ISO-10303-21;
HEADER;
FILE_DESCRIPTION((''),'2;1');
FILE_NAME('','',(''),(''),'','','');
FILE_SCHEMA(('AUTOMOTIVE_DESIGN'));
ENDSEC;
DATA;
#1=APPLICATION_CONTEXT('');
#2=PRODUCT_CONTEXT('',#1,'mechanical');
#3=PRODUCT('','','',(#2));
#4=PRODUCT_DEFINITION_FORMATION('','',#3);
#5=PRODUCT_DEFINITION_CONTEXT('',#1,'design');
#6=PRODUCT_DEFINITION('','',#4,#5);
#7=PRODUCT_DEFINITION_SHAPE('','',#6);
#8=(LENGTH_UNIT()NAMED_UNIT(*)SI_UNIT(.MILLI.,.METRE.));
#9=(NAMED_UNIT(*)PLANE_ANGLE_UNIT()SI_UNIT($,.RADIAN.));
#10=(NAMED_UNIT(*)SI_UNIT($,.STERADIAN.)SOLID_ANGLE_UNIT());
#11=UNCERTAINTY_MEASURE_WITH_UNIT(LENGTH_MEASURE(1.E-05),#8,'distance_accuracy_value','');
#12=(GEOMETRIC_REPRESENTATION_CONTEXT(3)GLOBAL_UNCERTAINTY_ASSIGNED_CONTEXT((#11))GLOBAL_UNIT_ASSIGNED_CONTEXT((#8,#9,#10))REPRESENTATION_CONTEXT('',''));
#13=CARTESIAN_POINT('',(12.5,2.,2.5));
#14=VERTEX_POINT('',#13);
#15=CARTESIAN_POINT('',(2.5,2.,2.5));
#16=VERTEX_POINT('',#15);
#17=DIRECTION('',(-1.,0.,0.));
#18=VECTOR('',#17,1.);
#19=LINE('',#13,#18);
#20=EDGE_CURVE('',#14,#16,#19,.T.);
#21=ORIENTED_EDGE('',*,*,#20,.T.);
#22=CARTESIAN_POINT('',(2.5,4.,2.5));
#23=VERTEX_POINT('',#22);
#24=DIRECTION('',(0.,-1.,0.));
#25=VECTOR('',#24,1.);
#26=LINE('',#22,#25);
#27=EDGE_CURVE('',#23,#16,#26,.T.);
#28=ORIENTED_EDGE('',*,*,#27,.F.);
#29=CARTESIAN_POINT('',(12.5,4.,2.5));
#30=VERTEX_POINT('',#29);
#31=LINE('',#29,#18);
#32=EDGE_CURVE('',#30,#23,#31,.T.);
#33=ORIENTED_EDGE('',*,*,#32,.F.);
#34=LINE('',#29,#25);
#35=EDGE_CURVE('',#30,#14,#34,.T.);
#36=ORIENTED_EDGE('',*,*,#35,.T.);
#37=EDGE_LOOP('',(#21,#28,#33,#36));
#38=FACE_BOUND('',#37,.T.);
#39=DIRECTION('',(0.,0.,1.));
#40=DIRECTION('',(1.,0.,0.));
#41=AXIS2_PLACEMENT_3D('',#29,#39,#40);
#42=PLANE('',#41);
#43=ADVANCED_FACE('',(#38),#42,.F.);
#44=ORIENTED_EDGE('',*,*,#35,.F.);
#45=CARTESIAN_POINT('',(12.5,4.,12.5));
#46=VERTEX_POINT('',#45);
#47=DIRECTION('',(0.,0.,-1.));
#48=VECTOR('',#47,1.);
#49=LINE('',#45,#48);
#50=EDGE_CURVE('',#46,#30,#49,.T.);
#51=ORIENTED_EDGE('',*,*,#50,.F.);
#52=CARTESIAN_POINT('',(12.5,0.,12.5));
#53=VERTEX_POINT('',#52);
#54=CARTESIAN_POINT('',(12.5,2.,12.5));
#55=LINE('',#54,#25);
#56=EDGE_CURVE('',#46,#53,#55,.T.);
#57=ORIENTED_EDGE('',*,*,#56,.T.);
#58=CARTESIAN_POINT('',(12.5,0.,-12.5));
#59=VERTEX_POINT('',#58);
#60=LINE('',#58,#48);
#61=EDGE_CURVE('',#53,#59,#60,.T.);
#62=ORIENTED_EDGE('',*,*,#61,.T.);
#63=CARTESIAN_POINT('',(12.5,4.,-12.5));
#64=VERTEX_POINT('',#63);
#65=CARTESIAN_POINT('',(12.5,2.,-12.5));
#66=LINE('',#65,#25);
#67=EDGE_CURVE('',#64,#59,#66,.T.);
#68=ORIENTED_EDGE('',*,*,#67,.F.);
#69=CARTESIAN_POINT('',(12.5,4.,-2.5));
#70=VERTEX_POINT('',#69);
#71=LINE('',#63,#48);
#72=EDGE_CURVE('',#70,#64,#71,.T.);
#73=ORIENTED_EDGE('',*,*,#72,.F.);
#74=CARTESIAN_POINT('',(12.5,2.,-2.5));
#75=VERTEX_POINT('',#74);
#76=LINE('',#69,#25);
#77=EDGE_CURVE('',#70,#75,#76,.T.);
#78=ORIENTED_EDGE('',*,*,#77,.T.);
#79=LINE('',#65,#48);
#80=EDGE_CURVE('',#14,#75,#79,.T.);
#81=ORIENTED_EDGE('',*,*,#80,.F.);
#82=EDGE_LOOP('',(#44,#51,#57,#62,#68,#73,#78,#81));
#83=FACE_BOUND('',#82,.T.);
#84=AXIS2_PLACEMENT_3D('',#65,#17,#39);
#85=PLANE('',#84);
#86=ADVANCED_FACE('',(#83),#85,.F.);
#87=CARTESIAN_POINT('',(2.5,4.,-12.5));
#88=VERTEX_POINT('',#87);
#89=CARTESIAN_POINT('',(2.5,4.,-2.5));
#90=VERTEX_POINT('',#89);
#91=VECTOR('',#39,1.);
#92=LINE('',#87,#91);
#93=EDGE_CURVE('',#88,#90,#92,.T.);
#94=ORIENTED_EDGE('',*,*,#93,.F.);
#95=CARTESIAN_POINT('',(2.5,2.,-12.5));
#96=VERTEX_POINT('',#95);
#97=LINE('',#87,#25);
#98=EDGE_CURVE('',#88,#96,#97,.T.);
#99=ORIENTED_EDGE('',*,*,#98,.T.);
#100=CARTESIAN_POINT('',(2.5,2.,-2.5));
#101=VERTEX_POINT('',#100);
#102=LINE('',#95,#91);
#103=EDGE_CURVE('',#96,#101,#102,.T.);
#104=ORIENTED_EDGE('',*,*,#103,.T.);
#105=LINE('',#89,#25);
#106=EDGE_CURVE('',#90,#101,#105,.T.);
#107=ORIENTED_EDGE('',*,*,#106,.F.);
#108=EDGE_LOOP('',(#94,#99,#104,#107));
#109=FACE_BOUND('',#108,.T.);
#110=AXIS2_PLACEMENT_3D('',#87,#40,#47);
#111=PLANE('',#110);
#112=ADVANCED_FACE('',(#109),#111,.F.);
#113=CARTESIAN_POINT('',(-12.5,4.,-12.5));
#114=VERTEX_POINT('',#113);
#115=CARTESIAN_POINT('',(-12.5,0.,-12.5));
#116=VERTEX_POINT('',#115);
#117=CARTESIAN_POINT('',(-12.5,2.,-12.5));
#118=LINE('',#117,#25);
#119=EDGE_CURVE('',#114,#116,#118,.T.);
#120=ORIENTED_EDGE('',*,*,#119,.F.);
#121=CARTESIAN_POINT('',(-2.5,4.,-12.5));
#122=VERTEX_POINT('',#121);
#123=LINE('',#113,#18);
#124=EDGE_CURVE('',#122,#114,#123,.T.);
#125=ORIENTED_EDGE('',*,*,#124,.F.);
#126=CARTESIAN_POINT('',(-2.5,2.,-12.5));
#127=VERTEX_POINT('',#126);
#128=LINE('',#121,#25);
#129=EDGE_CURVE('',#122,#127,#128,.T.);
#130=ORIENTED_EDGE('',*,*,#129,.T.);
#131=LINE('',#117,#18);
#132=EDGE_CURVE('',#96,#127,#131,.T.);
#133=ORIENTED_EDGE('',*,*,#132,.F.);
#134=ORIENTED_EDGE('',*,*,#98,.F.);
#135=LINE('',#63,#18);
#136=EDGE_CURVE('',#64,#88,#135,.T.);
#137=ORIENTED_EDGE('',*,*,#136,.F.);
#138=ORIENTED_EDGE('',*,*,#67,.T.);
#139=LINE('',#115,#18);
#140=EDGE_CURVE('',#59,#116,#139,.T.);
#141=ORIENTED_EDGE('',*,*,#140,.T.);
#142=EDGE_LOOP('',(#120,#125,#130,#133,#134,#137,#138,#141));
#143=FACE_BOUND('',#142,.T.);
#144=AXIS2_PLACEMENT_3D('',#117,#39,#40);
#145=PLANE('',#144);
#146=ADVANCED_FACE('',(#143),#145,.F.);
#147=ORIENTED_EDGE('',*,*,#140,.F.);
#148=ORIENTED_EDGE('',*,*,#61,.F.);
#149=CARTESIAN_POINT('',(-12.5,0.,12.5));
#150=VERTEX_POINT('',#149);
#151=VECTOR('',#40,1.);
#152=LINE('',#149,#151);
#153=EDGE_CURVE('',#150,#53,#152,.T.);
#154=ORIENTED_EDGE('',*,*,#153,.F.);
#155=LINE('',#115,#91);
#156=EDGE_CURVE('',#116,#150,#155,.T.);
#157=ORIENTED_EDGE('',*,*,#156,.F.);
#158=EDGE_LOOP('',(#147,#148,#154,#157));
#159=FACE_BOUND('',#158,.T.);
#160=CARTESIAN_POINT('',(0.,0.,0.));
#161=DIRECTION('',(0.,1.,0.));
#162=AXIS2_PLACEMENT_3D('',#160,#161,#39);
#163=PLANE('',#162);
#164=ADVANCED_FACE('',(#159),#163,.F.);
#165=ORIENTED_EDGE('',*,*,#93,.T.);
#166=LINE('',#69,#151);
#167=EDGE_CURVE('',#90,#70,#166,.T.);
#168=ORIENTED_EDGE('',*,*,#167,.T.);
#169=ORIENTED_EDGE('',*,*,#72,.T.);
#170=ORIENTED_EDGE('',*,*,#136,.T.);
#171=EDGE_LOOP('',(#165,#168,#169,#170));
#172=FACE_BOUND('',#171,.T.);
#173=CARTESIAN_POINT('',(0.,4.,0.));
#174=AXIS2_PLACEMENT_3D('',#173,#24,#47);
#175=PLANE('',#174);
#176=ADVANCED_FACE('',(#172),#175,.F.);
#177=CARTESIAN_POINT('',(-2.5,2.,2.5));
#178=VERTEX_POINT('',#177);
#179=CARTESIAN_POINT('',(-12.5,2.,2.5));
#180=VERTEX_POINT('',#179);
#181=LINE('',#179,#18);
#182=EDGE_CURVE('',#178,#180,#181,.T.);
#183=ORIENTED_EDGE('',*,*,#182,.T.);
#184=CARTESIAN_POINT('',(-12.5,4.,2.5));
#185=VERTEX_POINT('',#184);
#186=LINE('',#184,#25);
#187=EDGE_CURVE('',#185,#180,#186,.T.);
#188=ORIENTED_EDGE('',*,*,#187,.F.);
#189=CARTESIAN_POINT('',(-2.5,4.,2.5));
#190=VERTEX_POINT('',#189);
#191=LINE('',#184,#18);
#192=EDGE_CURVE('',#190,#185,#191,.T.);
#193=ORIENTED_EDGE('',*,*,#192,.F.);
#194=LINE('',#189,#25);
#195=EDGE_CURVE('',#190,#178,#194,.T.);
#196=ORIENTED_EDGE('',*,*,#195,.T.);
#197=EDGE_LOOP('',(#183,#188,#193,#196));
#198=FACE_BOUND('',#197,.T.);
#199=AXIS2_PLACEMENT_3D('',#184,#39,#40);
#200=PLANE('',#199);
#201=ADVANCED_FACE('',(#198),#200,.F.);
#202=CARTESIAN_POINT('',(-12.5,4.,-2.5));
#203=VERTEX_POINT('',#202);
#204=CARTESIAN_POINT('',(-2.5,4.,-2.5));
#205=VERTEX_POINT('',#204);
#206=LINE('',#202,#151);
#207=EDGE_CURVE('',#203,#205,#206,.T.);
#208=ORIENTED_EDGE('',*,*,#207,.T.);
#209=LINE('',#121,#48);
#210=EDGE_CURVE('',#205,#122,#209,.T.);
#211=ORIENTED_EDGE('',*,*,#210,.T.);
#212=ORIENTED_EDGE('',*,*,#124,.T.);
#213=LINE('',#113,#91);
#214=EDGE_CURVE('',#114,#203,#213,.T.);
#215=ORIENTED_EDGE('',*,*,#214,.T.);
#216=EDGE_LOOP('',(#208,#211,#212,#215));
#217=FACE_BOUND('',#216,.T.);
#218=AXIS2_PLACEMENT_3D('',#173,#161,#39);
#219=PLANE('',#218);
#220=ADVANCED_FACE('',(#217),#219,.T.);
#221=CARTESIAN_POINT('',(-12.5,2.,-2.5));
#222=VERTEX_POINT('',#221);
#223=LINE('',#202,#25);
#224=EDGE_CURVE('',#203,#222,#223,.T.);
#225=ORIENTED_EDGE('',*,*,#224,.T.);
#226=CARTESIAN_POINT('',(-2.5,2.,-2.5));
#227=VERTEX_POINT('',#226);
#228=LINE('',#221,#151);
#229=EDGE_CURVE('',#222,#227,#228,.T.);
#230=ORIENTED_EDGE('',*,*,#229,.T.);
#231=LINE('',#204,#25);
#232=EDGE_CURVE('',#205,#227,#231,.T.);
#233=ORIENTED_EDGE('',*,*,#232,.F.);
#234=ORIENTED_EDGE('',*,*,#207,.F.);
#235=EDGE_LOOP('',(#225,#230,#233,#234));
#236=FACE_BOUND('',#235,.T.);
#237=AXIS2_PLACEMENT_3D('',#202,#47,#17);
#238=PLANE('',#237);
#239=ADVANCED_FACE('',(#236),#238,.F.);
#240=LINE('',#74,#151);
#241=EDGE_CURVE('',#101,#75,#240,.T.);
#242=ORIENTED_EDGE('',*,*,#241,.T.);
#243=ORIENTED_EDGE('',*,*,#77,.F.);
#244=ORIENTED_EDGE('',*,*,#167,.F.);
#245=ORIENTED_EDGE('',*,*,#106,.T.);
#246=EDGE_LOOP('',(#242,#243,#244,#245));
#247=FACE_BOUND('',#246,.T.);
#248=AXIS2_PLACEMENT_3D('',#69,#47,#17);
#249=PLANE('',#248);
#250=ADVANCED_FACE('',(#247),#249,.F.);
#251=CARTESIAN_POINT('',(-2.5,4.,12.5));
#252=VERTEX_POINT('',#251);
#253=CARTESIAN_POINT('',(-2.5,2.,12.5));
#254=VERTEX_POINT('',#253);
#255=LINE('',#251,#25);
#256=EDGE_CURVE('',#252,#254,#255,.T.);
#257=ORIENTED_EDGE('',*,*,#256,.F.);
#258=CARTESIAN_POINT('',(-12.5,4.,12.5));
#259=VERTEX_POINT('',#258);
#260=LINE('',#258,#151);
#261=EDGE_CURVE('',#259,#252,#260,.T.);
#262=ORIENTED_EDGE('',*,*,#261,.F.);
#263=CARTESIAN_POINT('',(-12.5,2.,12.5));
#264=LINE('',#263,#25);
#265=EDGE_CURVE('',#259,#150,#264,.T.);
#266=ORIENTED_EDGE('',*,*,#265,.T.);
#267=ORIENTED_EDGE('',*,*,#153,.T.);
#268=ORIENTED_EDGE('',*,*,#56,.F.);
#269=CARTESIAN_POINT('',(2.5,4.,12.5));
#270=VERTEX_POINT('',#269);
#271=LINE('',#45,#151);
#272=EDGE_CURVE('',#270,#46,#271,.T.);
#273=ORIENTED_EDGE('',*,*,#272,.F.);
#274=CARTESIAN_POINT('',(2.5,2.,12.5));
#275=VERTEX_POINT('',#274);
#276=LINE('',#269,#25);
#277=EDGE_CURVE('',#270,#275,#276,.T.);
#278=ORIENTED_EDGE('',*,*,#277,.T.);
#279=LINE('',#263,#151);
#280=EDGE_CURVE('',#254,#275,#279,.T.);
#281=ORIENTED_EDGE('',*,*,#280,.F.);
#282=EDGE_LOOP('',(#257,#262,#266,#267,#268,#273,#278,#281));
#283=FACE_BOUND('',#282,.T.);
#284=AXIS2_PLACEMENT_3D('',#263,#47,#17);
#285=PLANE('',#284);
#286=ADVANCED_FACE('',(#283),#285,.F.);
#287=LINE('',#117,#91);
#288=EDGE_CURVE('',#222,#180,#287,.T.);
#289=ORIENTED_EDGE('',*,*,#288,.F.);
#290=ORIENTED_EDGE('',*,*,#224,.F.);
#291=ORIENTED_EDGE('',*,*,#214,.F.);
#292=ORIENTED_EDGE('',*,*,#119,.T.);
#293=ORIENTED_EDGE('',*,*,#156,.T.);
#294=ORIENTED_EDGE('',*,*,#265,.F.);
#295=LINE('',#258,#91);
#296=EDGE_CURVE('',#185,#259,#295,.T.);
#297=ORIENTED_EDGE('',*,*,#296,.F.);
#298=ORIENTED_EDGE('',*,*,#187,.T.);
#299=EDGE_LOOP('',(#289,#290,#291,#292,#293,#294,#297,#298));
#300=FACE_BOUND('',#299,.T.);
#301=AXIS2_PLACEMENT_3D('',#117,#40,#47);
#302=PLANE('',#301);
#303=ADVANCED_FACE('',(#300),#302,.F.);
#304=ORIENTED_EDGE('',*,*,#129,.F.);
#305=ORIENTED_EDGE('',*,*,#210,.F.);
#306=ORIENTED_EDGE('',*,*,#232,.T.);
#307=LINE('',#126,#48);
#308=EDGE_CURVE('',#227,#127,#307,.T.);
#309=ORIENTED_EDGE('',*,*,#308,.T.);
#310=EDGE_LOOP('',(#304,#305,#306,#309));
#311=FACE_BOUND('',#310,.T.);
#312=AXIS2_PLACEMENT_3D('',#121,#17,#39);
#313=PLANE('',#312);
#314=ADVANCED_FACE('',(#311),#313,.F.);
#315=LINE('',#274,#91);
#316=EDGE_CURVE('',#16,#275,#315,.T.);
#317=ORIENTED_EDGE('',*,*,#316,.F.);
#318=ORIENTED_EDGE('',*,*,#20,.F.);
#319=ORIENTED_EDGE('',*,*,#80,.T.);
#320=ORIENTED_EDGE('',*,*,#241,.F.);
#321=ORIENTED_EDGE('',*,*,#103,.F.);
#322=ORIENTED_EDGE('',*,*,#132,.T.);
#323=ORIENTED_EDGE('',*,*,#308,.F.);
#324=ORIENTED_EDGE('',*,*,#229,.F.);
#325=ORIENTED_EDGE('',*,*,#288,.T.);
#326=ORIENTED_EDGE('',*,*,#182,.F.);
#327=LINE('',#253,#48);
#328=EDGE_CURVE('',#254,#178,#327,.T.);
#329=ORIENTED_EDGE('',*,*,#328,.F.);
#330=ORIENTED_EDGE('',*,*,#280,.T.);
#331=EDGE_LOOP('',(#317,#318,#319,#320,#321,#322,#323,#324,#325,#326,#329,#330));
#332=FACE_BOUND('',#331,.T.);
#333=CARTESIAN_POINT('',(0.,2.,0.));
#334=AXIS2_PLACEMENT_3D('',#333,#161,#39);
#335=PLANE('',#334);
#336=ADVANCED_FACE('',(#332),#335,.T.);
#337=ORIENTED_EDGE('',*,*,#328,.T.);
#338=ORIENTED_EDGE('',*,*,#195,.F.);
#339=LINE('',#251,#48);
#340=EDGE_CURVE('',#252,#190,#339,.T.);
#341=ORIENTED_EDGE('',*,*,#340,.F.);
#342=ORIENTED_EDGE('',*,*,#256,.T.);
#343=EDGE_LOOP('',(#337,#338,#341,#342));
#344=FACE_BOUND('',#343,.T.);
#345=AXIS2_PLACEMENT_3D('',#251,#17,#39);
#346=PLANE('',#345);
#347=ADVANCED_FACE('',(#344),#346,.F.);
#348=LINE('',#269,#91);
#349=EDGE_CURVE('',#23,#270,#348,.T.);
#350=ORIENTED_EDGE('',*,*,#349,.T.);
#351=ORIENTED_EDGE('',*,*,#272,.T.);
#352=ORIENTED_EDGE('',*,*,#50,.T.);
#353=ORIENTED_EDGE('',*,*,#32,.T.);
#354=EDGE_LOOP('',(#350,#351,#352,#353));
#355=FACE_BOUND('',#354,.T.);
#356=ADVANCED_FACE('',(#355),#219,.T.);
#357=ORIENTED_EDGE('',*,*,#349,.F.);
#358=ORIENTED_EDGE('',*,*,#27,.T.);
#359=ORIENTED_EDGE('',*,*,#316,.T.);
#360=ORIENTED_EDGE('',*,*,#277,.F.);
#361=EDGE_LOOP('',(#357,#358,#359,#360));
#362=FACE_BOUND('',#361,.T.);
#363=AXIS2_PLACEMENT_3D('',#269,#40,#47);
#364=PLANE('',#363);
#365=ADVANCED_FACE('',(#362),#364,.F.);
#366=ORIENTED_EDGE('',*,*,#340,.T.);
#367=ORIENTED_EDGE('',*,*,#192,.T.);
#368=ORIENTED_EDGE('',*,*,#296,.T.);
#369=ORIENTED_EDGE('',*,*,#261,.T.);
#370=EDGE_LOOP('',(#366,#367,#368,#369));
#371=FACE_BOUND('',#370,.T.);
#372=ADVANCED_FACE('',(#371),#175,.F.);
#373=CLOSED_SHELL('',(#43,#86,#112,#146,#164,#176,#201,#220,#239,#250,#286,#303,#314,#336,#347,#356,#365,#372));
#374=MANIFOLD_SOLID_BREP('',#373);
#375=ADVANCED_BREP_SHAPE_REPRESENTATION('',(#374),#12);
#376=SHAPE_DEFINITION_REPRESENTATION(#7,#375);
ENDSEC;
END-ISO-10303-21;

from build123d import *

# Parameters (mm, degrees)
SKETCH1_W           = 25
SKETCH1_H           = 25
BOSS_EXTRUDE1_DEPTH = 2
SKETCH2_W           = 10
SKETCH2_H           = 10
BOSS_EXTRUDE4_DEPTH = 2


with BuildPart() as part:
    # Sketch1 → Boss-Extrude1 (new body)
    with BuildSketch(Plane(origin=(0, 0, 0), x_dir=(1, 0, 0), z_dir=(0, 1, 0))):
        Rectangle(SKETCH1_W, SKETCH1_H)
    extrude(amount=BOSS_EXTRUDE1_DEPTH)

    # Sketch2 → Boss-Extrude4 (add)
    with BuildSketch(Plane(origin=(0, 2, 0), x_dir=(1, 0, 0), z_dir=(0, 1, 0))):
        with Locations((7.5, -7.5)):
            Rectangle(SKETCH2_W, SKETCH2_H)
        with Locations((-7.5, -7.5)):
            Rectangle(SKETCH2_W, SKETCH2_H)
        with Locations((-7.5, 7.5)):
            Rectangle(SKETCH2_W, SKETCH2_H)
        with Locations((7.5, 7.5)):
            Rectangle(SKETCH2_W, SKETCH2_H)
    extrude(amount=BOSS_EXTRUDE4_DEPTH)


solid = part.part
